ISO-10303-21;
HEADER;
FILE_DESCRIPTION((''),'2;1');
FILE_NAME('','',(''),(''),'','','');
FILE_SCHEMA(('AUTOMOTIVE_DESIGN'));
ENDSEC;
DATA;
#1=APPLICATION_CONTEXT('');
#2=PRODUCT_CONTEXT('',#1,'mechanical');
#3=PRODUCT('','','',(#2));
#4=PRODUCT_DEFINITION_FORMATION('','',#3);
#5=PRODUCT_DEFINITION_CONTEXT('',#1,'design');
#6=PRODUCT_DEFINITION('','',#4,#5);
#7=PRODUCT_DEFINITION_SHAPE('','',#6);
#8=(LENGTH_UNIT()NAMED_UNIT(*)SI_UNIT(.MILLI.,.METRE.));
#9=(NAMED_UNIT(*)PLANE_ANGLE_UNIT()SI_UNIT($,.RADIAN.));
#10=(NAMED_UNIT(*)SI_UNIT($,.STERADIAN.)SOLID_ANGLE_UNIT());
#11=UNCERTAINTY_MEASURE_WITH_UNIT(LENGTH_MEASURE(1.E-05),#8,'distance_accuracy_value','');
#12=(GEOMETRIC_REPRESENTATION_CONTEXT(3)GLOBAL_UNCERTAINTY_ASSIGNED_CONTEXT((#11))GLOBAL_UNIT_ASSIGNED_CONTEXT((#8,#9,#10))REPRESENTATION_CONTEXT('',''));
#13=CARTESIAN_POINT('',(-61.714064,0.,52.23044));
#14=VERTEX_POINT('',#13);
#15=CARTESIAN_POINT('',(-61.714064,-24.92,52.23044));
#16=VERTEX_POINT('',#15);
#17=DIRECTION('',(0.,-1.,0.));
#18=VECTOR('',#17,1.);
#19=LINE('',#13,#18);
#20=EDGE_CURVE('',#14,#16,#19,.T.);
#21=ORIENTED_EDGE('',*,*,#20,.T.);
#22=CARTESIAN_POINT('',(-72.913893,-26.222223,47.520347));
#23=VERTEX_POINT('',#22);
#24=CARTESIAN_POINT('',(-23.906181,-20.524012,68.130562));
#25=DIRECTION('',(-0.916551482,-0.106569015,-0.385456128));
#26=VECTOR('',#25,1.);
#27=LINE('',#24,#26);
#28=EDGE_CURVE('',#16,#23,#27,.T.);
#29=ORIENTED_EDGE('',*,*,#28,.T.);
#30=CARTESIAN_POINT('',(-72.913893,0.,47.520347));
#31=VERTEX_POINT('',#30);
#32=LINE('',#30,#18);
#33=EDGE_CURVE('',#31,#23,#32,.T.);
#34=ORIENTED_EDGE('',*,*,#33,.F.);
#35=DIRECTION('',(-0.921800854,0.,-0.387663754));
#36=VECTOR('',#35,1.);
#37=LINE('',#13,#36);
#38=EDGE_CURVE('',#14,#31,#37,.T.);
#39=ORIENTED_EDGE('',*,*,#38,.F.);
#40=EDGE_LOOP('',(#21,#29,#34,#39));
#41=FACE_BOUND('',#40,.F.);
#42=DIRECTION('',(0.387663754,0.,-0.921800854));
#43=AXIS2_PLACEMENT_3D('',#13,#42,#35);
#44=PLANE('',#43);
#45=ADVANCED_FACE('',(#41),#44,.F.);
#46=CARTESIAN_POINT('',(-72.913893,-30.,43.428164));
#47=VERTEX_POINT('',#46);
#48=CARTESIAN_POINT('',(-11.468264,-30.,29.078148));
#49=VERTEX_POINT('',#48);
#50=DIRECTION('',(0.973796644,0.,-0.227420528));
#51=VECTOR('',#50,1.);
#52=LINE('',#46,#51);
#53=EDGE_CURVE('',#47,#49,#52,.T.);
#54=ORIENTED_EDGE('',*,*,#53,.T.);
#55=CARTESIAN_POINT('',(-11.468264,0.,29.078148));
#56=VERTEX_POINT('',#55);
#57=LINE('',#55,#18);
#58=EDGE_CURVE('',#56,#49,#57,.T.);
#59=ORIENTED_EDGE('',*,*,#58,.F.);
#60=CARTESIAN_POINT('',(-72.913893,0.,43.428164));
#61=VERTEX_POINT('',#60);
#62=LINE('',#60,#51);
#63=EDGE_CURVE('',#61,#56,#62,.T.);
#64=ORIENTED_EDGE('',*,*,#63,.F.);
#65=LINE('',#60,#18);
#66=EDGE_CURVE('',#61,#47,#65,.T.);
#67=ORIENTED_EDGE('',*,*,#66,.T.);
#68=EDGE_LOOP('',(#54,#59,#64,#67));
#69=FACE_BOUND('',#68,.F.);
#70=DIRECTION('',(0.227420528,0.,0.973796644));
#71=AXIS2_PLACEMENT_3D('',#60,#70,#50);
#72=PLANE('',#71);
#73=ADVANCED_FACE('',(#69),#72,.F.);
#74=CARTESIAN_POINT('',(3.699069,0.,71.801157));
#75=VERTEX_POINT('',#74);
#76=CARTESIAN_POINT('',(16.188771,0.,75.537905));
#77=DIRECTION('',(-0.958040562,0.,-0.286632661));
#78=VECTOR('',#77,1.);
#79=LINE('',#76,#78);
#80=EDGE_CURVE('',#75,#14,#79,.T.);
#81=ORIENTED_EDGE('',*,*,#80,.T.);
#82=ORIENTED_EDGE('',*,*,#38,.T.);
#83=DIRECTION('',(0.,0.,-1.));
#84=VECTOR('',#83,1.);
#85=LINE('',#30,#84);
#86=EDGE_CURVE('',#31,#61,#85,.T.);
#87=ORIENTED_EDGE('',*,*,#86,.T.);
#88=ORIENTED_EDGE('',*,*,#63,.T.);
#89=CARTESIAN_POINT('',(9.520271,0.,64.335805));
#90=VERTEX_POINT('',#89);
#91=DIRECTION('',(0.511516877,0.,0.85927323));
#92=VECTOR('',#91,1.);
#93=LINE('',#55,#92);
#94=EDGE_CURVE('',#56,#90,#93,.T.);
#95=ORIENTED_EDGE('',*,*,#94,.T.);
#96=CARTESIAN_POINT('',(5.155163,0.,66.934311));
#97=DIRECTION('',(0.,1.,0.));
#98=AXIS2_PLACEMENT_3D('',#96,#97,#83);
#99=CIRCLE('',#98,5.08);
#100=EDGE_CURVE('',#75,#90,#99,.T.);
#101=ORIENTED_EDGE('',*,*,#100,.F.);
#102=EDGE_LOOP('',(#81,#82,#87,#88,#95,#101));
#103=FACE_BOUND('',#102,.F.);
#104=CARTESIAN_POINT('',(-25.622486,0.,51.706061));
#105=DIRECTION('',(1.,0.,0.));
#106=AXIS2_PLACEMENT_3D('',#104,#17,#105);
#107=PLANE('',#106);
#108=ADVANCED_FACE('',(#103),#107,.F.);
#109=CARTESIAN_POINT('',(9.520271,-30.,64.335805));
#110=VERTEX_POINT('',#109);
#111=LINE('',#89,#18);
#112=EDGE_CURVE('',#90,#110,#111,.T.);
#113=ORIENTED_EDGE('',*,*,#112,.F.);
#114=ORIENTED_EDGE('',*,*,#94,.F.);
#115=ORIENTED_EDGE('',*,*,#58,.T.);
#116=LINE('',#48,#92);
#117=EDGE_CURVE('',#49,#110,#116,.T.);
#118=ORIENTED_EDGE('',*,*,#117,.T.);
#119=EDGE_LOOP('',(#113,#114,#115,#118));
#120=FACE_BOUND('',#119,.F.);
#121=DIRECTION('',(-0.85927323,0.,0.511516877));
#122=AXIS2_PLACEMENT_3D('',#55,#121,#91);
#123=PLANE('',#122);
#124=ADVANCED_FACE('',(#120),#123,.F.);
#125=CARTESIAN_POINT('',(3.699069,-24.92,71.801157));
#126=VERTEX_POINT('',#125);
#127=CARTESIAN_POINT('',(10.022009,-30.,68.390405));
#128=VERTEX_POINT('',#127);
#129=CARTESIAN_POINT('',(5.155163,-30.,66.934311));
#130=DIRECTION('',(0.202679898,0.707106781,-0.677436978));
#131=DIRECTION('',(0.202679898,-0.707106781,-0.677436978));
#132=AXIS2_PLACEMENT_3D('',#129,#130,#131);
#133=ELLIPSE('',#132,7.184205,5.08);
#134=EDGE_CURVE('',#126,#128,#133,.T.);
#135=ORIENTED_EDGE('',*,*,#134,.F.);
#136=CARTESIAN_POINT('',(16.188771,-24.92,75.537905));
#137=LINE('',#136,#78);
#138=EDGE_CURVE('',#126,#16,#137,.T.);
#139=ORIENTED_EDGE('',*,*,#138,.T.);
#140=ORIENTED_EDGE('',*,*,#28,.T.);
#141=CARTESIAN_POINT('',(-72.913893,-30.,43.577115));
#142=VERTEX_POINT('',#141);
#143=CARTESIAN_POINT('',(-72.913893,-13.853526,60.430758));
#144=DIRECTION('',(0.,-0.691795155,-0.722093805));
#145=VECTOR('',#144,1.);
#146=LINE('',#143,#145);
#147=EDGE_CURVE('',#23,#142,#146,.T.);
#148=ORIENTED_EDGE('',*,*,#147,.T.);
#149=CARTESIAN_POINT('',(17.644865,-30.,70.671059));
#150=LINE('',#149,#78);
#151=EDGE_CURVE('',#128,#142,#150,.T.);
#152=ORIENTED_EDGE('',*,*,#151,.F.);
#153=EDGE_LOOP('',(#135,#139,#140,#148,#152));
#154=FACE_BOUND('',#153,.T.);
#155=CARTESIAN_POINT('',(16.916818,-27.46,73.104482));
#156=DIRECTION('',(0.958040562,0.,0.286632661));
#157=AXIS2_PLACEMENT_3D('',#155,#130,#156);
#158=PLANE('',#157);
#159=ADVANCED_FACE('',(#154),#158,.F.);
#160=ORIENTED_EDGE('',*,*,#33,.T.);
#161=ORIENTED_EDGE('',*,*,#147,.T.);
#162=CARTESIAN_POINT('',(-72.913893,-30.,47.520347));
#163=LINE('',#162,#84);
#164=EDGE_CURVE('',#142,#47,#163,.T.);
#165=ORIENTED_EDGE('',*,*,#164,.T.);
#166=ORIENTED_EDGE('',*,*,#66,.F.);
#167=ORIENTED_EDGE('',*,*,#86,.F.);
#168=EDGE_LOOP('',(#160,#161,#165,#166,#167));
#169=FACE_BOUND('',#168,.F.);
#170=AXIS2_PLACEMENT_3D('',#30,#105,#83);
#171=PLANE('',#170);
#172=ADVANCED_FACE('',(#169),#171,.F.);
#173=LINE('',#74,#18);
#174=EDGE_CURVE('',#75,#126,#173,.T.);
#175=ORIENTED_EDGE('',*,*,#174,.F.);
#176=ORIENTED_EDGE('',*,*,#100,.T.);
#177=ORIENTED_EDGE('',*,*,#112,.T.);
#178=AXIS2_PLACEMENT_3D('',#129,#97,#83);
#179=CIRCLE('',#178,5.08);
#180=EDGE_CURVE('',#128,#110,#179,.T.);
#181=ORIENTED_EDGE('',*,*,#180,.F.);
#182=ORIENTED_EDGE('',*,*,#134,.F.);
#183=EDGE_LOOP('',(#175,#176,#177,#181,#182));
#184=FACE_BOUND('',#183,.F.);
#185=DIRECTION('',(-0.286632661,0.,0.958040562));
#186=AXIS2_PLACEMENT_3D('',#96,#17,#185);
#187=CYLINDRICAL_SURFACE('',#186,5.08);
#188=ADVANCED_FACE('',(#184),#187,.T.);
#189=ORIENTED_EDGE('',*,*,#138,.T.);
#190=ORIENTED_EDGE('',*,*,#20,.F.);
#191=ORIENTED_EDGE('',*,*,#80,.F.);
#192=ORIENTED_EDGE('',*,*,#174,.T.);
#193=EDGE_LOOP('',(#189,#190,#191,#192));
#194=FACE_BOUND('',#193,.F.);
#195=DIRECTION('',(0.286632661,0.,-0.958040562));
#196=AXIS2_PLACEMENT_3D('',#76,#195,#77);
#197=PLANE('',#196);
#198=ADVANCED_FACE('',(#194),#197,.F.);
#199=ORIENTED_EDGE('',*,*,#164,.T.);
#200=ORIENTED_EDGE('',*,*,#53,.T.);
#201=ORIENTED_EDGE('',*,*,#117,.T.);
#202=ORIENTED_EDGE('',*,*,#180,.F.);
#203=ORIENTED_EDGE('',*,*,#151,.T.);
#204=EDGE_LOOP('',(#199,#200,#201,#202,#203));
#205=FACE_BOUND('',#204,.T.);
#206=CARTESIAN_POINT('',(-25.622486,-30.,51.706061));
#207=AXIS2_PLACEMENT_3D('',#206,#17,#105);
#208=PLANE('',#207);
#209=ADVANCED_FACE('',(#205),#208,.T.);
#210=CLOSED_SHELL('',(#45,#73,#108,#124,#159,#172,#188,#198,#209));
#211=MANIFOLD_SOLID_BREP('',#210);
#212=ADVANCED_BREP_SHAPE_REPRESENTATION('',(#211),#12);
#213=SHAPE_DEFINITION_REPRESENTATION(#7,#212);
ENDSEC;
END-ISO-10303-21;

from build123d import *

# Parameters (mm, degrees)
F1_DEPTH = 30
F2_SIZE  = 5.08
F3_R     = 5.08


with BuildPart() as f1:
    # F0 (on Front) → F1 (new body)
    with BuildSketch(Plane.XZ):
        Polygon((-72.913893, 47.520347), (-72.913893, 43.428164), (-11.468264, 29.078148), (16.188771, 75.537905), (-61.714064, 52.23044), align=None)
    extrude(amount=F1_DEPTH)

    # F2
    f2_edges = [f1.edges().sort_by_distance(p)[0] for p in [
        (-22.762647, -30, 63.884173),
    ]]
    chamfer(f2_edges, length=F2_SIZE)

    # F3
    f3_edges = [f1.edges().sort_by_distance(p)[0] for p in [
        (16.188771, -12.46, 75.537905),
    ]]
    fillet(f3_edges, radius=F3_R)


solid = f1.part
